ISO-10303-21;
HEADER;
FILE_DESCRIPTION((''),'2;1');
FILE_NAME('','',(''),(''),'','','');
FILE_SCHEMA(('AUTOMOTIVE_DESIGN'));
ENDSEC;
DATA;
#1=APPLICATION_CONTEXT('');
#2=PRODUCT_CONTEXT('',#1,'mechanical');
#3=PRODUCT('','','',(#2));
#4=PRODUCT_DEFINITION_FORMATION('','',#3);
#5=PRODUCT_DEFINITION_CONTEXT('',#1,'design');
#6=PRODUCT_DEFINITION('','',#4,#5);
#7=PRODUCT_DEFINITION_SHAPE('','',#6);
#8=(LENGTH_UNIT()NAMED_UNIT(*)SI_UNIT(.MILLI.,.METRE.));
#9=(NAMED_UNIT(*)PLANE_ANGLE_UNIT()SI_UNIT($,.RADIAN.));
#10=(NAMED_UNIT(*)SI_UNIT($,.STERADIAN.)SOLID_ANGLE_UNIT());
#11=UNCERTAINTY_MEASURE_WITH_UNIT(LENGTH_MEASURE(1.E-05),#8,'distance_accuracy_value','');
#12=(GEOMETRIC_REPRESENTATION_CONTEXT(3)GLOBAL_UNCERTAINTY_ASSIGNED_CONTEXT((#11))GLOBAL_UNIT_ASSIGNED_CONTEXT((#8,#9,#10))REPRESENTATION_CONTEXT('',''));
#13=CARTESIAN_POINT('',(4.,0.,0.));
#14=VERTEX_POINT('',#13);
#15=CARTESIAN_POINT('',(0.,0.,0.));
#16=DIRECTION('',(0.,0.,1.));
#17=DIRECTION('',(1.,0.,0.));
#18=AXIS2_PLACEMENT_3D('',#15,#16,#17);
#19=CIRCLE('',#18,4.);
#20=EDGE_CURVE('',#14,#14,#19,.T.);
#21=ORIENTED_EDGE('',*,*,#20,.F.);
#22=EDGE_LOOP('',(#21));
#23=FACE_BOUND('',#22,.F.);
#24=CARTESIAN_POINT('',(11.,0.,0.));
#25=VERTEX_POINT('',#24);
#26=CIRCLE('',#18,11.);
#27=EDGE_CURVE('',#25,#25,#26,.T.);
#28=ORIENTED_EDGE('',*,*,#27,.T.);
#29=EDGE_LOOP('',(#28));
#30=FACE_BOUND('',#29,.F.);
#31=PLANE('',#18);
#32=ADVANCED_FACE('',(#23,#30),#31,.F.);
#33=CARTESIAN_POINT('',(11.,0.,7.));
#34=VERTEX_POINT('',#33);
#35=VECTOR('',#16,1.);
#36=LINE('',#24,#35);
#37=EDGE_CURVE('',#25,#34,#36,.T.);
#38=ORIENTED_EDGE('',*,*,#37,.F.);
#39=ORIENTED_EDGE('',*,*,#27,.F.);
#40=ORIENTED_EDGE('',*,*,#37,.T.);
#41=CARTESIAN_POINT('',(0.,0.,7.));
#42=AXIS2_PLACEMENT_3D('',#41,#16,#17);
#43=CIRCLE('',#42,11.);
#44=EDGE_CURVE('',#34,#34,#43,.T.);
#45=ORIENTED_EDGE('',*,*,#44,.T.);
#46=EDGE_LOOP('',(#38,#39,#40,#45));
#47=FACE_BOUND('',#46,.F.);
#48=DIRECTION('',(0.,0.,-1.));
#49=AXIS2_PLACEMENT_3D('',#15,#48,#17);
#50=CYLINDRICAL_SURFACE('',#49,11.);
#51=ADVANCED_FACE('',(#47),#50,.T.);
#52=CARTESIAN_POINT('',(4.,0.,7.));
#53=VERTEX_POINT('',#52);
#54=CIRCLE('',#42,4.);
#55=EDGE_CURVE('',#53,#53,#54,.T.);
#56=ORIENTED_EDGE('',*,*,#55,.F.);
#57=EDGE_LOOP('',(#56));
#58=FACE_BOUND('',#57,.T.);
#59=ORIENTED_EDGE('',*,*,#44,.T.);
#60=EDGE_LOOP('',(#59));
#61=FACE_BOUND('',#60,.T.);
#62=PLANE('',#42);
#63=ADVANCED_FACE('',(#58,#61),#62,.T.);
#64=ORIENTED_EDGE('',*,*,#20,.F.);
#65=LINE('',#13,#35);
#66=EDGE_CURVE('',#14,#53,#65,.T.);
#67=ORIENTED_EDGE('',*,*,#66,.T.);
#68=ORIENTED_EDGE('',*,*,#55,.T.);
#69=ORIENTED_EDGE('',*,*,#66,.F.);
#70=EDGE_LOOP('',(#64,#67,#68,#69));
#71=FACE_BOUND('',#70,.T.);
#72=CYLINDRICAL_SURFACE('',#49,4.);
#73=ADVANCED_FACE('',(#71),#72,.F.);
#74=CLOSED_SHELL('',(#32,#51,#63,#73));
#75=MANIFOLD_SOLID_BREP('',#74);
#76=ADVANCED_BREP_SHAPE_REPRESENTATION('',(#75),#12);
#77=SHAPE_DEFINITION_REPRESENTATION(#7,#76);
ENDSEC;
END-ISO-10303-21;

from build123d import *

# Parameters (mm, degrees)
ESQUISSE1_R        = 11
ESQUISSE1_R_2      = 4
BOSS_EXTRU_1_DEPTH = 7


with BuildPart() as part:
    # Esquisse1 → Boss.-Extru.1 (new body)
    with BuildSketch(Plane.XY):
        Circle(ESQUISSE1_R)
        Circle(ESQUISSE1_R_2, mode=Mode.SUBTRACT)
    extrude(amount=BOSS_EXTRU_1_DEPTH)


solid = part.part
